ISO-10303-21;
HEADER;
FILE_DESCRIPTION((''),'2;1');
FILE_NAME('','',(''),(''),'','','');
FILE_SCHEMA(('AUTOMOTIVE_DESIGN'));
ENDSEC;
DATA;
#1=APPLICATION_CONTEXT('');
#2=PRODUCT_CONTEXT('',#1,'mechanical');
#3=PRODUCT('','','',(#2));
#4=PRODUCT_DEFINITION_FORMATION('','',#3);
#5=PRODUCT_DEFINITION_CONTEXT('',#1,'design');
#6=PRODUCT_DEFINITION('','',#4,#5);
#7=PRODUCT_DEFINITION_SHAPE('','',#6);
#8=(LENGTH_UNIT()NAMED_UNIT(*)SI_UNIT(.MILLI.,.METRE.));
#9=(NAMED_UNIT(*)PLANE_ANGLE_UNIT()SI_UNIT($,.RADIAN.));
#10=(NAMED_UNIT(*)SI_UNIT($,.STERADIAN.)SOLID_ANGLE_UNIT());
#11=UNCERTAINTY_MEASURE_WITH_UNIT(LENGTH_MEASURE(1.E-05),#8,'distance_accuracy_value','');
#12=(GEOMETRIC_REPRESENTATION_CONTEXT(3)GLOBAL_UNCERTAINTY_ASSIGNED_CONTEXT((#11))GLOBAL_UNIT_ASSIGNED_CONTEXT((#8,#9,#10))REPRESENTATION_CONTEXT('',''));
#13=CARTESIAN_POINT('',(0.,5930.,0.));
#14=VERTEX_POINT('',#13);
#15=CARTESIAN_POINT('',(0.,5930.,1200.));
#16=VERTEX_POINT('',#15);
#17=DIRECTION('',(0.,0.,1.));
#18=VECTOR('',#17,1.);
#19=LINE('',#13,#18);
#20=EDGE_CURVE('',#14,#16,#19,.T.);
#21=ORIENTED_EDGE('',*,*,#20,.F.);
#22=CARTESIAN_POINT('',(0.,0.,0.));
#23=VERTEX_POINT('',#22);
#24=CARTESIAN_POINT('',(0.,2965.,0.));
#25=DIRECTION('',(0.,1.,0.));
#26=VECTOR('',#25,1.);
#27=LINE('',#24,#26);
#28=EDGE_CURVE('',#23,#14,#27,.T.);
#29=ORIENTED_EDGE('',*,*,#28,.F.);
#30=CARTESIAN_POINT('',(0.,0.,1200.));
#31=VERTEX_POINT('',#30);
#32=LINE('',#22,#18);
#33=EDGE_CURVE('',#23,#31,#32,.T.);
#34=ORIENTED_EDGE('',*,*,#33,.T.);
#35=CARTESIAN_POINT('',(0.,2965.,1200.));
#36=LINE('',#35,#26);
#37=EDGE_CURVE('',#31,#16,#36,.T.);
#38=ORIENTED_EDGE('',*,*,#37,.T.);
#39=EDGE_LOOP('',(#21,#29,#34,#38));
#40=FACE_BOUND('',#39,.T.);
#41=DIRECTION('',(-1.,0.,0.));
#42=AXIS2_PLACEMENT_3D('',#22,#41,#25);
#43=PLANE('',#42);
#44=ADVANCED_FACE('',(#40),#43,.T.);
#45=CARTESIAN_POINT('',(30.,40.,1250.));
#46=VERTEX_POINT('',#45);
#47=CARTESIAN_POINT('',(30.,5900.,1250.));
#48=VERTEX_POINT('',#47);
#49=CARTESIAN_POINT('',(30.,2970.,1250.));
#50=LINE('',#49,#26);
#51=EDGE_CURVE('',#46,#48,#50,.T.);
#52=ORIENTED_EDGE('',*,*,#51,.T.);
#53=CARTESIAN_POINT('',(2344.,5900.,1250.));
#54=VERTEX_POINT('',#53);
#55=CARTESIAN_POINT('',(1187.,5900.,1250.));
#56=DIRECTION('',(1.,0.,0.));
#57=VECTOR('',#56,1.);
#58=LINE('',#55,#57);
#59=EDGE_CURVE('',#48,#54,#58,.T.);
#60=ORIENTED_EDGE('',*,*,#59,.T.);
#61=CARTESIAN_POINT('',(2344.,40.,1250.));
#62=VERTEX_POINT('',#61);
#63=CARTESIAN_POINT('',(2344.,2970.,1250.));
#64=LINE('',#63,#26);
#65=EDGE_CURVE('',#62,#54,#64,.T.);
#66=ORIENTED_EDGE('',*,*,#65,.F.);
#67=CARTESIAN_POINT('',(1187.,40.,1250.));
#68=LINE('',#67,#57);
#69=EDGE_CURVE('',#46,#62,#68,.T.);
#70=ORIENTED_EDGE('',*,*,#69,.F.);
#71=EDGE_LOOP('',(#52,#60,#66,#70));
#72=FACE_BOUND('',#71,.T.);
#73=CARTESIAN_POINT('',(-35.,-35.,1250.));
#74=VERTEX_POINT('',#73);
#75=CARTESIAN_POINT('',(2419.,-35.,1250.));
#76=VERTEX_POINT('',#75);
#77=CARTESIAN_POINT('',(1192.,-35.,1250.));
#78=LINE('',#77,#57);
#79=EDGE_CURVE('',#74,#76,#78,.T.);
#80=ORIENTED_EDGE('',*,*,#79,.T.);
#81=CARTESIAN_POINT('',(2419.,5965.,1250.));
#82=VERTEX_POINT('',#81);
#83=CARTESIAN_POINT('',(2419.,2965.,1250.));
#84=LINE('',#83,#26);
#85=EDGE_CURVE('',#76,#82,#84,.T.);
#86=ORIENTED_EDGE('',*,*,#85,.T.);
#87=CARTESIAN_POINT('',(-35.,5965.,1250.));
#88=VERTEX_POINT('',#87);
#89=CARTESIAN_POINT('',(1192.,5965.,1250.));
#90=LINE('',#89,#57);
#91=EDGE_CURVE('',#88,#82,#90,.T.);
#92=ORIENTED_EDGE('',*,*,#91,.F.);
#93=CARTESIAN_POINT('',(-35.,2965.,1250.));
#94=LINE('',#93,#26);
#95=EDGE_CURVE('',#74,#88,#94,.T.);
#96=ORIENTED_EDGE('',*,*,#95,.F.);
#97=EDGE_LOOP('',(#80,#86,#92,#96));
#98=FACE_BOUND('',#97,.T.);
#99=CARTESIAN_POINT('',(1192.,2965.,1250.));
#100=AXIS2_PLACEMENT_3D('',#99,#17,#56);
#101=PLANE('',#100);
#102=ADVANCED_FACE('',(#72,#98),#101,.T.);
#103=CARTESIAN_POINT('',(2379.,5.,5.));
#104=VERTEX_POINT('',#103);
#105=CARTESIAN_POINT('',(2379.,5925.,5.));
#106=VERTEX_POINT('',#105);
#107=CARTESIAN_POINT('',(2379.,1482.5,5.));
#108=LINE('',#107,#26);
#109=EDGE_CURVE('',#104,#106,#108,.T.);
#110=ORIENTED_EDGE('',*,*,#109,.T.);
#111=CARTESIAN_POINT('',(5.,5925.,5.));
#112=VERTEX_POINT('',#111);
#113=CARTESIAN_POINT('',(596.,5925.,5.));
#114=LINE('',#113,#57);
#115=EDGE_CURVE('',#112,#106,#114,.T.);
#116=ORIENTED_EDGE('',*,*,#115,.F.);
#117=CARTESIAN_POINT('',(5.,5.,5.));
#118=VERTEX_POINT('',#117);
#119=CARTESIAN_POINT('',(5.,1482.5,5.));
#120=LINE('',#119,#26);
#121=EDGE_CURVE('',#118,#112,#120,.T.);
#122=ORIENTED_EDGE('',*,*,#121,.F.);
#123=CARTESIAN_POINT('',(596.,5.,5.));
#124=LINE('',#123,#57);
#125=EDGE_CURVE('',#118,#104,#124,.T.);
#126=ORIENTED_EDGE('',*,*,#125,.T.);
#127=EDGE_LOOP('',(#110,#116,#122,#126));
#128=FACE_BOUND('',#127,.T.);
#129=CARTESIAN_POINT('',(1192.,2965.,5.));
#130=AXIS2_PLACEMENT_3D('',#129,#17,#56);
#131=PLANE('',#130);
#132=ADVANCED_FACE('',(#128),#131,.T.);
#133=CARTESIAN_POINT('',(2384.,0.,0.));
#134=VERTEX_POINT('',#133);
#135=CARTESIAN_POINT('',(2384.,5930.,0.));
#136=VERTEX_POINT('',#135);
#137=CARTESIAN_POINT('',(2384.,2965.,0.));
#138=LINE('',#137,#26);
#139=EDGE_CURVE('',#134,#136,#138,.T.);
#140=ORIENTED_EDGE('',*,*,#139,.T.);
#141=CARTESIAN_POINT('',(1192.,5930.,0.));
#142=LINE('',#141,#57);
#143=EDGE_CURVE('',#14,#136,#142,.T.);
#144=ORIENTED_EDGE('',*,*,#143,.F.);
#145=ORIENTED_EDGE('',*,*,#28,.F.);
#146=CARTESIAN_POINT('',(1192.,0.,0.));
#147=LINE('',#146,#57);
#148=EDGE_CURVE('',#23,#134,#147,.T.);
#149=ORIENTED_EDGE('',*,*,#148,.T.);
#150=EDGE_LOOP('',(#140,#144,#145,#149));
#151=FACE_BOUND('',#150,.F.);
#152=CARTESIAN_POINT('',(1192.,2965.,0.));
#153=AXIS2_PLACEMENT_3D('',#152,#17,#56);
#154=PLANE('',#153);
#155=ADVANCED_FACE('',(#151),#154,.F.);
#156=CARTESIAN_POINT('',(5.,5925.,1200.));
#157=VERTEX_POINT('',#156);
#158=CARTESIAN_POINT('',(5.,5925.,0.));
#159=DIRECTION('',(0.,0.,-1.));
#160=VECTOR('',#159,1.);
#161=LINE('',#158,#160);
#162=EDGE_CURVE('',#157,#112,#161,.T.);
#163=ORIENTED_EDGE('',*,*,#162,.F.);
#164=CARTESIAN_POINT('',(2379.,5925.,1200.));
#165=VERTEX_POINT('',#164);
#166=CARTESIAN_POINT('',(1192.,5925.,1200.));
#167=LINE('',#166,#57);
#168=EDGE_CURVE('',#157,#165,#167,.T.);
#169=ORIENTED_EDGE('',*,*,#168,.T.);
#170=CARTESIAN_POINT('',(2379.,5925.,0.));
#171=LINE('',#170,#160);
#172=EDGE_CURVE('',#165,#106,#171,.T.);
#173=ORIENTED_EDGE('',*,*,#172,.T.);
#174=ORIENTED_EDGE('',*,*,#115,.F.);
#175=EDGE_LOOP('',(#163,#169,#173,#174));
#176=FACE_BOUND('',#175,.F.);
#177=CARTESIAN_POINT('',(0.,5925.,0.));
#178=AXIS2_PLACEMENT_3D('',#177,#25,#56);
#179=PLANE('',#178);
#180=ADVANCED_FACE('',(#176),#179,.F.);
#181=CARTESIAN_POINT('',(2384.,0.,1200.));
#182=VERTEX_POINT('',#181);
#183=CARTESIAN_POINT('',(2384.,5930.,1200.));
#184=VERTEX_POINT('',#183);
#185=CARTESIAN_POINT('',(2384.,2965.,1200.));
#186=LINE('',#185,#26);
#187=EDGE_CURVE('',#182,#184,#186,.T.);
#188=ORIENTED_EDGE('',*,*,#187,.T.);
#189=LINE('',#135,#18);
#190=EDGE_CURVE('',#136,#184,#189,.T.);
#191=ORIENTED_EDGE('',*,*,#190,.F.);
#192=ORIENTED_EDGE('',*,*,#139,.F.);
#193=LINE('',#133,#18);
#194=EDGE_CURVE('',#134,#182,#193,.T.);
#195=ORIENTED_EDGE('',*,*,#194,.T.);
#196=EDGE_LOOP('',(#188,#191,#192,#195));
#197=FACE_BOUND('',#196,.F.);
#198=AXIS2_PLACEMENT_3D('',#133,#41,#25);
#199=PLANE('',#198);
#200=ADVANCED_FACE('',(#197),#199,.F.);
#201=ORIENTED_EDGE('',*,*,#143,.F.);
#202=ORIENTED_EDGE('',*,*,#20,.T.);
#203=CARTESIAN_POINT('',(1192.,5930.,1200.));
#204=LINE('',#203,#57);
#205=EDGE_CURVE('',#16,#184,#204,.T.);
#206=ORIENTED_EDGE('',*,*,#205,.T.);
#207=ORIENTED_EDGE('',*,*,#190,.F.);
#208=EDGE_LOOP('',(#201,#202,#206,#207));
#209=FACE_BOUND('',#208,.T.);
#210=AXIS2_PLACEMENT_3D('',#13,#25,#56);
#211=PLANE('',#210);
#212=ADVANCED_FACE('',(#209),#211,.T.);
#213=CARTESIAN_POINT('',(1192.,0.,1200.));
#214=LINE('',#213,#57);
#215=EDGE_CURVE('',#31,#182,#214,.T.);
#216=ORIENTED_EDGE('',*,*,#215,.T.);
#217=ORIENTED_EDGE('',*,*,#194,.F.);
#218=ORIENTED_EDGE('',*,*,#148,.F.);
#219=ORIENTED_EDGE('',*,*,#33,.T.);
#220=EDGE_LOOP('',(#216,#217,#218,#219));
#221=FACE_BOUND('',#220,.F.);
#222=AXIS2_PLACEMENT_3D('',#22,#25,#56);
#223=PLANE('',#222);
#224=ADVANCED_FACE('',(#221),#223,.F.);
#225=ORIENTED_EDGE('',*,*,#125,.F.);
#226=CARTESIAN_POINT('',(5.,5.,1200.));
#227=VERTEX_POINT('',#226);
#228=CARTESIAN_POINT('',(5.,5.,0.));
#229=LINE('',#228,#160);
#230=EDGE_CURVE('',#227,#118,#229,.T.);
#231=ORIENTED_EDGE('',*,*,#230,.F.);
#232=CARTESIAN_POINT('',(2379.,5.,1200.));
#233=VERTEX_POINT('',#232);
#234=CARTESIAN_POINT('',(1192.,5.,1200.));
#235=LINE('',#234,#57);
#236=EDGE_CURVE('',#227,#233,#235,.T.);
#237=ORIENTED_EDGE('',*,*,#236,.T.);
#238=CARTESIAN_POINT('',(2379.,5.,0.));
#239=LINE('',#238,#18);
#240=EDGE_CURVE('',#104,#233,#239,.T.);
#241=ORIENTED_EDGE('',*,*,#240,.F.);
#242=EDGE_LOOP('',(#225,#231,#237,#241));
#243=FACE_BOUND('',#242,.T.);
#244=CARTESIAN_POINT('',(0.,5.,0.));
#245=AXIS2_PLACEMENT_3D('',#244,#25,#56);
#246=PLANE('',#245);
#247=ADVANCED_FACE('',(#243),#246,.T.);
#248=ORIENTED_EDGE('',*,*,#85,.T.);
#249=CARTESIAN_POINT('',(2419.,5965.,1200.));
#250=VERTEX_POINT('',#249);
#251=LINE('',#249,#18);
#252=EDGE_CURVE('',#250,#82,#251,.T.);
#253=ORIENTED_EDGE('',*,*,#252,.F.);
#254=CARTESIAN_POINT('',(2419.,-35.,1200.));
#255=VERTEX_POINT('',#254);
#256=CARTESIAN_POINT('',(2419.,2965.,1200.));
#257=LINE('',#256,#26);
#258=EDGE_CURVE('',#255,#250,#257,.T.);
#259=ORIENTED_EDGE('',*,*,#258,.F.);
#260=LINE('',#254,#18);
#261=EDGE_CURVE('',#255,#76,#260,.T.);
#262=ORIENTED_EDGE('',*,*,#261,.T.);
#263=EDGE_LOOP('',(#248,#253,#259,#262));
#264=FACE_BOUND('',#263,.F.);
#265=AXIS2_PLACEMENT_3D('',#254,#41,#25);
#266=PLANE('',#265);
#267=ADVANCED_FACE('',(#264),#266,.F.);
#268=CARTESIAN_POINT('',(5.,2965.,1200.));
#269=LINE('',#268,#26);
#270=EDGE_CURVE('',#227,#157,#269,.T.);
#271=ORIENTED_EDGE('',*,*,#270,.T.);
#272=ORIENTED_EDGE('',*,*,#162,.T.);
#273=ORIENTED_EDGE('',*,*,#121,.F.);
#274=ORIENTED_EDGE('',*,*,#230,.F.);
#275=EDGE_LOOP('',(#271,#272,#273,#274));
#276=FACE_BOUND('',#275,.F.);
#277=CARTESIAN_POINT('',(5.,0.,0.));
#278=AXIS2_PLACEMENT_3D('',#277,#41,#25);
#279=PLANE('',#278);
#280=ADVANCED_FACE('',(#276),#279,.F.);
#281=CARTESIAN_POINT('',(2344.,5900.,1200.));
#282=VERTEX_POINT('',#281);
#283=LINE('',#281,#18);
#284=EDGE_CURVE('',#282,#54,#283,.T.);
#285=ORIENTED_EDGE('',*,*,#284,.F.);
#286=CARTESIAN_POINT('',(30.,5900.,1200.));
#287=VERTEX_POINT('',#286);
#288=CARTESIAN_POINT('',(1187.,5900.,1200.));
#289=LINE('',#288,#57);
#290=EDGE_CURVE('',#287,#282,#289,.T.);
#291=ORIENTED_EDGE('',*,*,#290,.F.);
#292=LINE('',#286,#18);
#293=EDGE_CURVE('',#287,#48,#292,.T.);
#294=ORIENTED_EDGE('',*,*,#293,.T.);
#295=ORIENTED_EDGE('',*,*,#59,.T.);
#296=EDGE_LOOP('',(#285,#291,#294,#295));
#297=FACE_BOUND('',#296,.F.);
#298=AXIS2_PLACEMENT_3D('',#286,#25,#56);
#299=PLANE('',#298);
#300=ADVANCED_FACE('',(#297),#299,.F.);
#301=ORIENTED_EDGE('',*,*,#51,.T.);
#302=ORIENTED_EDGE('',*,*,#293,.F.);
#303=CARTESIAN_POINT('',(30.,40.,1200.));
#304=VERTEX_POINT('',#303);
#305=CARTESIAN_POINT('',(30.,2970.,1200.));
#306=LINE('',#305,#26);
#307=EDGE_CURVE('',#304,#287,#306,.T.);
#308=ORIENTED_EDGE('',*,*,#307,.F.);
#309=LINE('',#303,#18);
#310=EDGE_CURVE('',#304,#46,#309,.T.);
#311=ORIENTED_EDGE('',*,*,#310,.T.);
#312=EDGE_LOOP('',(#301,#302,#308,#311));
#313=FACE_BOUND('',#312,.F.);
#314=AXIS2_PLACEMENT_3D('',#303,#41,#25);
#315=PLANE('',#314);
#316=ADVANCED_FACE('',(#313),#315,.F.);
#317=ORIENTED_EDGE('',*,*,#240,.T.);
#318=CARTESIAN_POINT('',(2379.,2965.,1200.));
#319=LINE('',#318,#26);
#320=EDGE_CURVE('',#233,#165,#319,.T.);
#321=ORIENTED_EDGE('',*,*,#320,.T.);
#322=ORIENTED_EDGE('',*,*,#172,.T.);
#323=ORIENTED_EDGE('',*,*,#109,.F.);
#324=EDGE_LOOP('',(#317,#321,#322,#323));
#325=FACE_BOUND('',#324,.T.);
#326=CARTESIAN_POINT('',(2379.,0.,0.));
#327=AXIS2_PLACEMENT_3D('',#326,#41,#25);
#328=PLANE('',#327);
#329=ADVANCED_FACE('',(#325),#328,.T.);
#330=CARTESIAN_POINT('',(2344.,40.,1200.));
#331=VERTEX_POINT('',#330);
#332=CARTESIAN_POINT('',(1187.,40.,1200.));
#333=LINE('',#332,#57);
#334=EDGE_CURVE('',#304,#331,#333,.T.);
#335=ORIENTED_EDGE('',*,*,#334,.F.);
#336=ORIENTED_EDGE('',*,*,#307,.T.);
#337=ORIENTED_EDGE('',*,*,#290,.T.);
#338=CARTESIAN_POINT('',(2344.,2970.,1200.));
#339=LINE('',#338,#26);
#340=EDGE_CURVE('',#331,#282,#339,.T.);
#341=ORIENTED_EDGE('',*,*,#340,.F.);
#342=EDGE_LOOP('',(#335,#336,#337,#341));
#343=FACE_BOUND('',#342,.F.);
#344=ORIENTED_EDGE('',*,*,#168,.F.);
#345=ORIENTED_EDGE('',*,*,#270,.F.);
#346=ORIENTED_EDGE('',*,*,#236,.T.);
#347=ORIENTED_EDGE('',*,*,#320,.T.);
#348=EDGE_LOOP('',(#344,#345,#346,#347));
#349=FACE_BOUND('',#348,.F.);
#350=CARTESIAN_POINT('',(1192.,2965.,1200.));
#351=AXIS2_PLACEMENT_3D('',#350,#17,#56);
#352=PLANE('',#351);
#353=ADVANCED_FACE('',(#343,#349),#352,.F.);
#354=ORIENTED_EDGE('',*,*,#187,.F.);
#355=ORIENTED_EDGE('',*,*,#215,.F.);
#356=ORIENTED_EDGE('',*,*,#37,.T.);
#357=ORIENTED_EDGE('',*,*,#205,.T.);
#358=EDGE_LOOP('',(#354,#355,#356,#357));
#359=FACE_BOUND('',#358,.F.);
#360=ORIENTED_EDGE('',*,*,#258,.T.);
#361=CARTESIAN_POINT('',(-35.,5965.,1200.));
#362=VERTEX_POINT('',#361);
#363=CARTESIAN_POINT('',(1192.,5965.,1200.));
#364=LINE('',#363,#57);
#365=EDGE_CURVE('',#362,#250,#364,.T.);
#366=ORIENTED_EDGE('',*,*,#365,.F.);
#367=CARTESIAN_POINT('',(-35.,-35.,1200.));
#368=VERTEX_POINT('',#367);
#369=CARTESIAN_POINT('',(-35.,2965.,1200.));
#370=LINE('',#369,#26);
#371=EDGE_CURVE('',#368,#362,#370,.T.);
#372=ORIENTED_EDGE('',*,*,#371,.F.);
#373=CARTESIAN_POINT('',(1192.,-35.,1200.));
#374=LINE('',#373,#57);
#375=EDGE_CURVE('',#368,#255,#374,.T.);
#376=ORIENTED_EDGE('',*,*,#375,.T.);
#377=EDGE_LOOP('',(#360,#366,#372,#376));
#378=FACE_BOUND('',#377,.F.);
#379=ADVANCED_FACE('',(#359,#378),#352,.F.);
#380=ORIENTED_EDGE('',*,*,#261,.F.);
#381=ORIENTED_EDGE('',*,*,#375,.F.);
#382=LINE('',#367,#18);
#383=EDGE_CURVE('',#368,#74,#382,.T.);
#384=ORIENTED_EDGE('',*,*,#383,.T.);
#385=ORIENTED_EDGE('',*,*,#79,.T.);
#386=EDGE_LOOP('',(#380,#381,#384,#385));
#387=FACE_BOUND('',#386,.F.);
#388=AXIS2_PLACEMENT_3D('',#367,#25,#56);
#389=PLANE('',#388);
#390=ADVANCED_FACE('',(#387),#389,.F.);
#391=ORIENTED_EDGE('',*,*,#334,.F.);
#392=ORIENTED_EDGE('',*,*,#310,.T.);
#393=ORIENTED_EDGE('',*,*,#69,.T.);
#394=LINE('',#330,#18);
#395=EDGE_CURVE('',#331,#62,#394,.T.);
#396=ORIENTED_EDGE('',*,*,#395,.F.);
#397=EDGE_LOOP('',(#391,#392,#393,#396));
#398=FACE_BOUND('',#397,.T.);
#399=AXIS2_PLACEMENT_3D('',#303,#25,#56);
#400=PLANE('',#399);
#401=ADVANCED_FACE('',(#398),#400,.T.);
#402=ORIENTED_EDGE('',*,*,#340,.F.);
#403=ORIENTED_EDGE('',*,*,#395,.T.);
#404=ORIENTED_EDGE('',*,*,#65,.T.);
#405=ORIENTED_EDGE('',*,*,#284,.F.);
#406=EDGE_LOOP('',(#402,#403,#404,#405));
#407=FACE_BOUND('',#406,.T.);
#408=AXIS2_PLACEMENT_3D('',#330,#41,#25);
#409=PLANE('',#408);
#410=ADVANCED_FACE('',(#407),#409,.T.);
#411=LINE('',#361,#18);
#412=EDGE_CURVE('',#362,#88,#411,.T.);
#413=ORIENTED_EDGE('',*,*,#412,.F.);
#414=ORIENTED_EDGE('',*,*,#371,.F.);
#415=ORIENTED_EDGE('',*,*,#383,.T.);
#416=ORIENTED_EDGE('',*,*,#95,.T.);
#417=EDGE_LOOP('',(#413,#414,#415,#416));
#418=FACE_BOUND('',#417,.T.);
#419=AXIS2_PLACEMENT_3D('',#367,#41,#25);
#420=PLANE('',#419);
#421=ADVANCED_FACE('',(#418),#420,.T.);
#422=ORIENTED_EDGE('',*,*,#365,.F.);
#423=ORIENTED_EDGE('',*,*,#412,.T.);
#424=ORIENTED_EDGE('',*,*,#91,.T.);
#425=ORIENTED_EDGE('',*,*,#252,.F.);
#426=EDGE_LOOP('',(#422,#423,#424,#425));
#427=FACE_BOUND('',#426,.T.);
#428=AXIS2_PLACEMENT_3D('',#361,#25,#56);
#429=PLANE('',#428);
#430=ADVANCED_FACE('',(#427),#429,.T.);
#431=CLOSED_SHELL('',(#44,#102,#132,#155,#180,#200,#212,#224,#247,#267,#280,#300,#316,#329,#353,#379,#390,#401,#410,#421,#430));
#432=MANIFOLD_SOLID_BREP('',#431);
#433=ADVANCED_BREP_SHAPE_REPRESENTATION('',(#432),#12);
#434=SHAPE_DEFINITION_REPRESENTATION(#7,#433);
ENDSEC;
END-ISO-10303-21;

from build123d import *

# Parameters (mm, degrees)
F0_W     = 2384
F0_H     = 5930
F1_DEPTH = 1200
F2_T     = -5
F3_W     = 2454
F3_H     = 6000
F3_W_2   = 2314
F3_H_2   = 5860
F4_DEPTH = 50


with BuildPart() as f1:
    # F0 (on Top) → F1 (new body)
    with BuildSketch(Plane.XY):
        with Locations((1192, 2965)):
            Rectangle(F0_W, F0_H)
    extrude(amount=F1_DEPTH)

    # F2
    f2_openings = [f1.faces().sort_by_distance(p)[0] for p in [
        (1192, 2965, 1200),
    ]]
    offset(amount=F2_T, openings=f2_openings)

    # F3 (on face) → F4 (join)
    with BuildSketch(Plane.XY.offset(1200)):
        with Locations((1192, 2965)):
            Rectangle(F3_W, F3_H)
        with Locations((1187, 2970)):
            Rectangle(F3_W_2, F3_H_2, mode=Mode.SUBTRACT)
    extrude(amount=F4_DEPTH)


solid = f1.part
